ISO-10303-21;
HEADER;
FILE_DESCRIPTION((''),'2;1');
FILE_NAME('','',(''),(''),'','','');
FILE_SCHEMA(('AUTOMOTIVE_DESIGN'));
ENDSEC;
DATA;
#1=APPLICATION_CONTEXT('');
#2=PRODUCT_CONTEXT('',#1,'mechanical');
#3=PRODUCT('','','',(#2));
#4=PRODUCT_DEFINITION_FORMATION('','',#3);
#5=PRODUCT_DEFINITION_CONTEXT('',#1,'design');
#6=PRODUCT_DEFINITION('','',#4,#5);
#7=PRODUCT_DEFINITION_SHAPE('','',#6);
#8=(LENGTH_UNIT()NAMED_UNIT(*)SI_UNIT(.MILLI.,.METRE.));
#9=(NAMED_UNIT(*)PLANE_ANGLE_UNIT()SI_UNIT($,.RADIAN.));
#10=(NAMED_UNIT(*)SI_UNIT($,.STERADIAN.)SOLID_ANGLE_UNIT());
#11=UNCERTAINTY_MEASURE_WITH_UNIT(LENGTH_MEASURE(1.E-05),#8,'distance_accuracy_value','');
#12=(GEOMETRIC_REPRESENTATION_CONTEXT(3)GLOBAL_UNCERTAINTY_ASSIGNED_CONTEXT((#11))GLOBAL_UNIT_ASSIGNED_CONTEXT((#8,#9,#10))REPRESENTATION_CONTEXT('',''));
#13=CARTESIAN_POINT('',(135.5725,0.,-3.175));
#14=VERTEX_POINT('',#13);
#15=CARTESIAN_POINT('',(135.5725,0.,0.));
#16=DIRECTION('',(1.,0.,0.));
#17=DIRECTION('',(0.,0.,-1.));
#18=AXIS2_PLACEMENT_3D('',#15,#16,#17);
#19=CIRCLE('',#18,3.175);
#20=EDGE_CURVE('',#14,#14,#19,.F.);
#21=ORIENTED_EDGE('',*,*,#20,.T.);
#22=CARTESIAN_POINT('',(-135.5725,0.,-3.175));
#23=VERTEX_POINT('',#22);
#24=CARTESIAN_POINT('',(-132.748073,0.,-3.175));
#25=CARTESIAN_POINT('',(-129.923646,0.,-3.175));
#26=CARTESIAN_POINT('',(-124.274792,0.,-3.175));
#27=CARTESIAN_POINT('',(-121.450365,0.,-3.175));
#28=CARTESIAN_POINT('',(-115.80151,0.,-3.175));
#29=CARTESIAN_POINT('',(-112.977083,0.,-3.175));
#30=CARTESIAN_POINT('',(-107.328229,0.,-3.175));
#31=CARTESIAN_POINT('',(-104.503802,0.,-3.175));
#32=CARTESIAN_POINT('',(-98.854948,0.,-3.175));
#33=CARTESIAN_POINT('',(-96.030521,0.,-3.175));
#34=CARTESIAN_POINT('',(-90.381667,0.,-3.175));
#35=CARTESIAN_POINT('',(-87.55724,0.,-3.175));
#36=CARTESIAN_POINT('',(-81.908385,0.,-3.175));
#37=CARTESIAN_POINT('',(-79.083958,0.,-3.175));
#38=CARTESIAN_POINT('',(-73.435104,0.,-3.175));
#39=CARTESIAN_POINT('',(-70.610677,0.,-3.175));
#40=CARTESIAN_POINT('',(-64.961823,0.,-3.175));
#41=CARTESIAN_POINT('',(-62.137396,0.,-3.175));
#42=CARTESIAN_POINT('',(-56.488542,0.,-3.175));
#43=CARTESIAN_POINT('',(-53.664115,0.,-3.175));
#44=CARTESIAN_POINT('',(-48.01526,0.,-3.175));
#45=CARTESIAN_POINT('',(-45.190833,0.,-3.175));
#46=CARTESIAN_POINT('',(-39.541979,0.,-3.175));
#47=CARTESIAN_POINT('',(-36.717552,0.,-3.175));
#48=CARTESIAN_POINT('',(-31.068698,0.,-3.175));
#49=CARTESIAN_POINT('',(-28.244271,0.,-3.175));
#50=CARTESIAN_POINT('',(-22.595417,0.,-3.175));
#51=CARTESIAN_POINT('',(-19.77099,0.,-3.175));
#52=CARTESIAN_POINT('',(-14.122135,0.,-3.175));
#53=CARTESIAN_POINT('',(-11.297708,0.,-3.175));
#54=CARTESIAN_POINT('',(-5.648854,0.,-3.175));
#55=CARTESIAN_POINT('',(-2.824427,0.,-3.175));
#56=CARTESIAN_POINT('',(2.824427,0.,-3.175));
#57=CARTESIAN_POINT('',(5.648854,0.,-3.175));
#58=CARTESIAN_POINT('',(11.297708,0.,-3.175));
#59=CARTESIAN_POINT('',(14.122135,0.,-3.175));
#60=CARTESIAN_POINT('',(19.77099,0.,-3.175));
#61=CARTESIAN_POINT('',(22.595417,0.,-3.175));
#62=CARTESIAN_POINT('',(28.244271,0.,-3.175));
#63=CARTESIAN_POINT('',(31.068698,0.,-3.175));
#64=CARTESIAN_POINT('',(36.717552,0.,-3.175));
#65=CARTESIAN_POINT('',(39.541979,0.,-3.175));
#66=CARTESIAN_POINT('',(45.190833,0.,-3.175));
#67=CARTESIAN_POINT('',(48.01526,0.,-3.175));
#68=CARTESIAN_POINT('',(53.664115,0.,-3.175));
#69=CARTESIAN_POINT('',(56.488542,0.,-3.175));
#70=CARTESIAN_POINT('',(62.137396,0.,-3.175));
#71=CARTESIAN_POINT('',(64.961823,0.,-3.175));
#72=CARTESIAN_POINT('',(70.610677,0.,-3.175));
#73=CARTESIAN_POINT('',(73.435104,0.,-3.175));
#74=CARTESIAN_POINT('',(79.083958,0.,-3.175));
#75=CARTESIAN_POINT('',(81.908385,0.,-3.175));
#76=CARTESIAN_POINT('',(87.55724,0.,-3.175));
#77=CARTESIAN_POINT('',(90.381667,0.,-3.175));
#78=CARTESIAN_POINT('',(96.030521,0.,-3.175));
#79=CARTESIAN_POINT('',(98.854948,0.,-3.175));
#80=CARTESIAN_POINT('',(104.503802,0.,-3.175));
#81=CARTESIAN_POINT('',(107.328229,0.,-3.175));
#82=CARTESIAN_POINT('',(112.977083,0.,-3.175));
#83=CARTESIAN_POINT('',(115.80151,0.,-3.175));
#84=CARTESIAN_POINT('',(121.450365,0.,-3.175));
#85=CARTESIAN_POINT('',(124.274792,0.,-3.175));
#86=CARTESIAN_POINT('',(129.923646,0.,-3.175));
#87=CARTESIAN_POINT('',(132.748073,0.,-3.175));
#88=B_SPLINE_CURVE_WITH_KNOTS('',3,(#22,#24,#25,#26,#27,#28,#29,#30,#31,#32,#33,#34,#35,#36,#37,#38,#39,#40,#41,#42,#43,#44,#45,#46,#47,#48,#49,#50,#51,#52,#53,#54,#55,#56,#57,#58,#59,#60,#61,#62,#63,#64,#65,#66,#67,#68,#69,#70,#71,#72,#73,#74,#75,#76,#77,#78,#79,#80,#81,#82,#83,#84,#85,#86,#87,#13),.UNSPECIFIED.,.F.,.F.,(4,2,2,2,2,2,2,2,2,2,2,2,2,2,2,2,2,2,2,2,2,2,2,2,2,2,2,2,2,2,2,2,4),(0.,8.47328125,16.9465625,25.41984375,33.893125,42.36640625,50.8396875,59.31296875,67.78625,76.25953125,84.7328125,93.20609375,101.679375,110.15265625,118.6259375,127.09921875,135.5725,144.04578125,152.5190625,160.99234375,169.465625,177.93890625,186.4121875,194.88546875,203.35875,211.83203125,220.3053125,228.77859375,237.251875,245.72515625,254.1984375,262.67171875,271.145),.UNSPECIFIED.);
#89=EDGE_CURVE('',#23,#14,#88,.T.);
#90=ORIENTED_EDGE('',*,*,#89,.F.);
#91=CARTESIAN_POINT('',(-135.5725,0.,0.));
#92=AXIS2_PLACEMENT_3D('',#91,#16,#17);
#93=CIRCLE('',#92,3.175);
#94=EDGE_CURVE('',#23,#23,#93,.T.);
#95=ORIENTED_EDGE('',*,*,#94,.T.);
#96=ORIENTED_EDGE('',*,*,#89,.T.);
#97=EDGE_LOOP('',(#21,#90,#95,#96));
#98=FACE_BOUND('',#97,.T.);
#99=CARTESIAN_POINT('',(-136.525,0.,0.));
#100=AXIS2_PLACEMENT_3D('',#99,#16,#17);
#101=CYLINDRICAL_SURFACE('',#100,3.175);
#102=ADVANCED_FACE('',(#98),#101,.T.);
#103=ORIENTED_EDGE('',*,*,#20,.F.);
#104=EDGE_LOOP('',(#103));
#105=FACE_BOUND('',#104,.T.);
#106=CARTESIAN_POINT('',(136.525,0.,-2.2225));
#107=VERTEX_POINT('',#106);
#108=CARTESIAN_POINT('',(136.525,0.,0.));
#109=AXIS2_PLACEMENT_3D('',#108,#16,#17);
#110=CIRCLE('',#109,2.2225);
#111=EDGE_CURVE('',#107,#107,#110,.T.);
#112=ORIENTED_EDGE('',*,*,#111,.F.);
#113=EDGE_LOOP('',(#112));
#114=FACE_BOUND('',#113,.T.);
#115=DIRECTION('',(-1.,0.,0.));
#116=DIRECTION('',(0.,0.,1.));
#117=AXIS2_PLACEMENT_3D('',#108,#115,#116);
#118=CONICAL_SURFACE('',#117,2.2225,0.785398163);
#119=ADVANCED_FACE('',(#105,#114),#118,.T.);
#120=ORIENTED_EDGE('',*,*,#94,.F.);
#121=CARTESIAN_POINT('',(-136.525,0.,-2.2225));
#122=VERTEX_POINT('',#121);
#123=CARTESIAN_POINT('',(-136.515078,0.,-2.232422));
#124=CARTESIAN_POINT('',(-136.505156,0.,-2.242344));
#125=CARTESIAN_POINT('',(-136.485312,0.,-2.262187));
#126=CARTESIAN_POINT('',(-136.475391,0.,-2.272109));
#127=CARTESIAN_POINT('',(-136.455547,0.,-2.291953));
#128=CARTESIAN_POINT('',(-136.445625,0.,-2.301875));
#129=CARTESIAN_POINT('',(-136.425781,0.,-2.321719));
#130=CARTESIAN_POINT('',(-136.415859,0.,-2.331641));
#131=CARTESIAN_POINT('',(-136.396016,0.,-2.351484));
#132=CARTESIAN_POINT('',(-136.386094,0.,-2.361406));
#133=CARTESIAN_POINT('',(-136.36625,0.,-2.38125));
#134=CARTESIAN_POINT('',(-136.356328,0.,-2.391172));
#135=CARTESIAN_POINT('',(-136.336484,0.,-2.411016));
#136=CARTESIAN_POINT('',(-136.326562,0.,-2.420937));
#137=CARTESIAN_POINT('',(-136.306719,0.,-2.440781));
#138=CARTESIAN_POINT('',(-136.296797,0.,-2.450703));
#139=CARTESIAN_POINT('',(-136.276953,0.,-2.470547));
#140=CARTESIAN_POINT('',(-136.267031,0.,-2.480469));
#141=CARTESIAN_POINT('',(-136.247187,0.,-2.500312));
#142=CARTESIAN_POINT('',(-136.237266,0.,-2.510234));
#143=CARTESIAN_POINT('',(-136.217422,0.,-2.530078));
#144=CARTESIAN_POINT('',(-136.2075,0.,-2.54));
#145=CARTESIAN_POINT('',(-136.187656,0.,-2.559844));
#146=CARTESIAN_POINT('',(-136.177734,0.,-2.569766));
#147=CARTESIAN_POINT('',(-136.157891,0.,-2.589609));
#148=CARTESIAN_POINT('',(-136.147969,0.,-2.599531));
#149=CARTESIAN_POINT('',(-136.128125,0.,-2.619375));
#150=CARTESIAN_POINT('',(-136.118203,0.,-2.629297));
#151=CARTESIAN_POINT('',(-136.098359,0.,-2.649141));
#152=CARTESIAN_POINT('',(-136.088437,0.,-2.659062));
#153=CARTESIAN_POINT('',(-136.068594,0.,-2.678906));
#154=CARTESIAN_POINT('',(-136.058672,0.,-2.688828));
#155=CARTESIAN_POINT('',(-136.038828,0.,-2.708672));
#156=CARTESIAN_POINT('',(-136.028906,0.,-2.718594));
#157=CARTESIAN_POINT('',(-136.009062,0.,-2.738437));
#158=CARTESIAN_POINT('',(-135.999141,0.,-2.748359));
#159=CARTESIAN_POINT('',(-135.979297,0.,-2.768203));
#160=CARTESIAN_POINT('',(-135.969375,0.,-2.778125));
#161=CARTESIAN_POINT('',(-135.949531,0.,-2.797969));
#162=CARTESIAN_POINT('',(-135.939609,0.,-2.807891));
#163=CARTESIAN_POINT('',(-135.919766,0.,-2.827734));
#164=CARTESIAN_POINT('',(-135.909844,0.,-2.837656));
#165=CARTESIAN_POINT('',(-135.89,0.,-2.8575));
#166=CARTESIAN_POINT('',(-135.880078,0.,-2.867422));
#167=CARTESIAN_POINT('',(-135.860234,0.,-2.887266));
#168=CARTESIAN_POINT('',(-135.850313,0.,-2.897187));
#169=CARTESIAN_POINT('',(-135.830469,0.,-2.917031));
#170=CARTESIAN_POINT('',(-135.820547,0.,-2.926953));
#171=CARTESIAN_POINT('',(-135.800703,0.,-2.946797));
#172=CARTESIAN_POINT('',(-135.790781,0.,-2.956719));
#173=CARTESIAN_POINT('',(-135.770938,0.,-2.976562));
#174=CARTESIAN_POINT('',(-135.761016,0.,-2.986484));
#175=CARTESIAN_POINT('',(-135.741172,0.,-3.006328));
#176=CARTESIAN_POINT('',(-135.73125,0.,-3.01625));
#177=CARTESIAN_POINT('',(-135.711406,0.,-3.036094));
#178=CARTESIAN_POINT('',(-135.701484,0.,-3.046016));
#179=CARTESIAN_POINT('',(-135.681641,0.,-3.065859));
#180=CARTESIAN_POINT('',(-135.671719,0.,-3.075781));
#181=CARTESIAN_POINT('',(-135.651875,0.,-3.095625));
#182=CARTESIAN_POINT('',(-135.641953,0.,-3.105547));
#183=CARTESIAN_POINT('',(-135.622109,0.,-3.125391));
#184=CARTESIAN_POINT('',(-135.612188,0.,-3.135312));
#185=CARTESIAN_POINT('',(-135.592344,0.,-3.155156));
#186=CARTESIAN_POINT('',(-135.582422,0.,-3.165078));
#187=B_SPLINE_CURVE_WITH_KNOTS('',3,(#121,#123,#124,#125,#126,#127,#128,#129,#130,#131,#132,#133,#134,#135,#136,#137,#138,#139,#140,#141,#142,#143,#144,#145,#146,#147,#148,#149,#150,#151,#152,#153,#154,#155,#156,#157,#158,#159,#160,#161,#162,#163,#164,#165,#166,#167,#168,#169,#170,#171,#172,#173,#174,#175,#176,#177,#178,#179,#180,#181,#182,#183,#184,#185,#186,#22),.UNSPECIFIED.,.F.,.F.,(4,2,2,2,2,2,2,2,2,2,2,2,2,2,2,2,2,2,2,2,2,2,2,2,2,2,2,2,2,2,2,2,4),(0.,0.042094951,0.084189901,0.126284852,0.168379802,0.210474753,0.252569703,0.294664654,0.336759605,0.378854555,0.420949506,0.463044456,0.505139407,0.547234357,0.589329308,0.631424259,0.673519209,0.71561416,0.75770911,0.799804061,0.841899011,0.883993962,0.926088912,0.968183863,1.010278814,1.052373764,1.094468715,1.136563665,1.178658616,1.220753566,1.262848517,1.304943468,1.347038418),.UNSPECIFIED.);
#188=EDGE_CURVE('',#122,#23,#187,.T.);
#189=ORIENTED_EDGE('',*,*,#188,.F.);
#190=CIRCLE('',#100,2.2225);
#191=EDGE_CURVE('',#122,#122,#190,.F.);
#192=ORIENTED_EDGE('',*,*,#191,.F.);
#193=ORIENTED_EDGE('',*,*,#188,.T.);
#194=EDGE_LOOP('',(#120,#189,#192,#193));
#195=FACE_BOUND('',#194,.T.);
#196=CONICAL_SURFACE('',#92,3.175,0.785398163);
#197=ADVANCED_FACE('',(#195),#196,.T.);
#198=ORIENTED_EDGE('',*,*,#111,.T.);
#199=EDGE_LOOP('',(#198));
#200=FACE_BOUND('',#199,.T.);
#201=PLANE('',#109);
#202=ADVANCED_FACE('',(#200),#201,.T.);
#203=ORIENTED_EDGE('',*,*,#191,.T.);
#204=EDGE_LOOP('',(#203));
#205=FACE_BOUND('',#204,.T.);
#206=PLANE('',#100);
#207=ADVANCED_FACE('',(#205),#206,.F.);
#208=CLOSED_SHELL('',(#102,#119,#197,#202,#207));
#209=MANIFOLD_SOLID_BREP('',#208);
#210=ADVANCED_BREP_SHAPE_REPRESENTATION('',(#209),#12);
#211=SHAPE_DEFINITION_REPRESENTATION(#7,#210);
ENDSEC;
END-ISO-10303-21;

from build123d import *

# Parameters (mm, degrees)
BOSS_EXTRUDE1_DEPTH      = 136.525
BOSS_EXTRUDE1_DEPTH_BACK = 136.525
SKETCH2_R                = 3.175
CHAMFER1_SIZE            = 0.9525


with BuildPart() as part:
    # Sketch2 → Boss-Extrude1 (new, two sides: drawn at the far end of the back side and taken through both)
    with BuildSketch(Plane(origin=(0, 0, 0), x_dir=(0, 0, -1), z_dir=(1, 0, 0)).offset(-BOSS_EXTRUDE1_DEPTH_BACK)):
        Circle(SKETCH2_R)
    extrude(amount=BOSS_EXTRUDE1_DEPTH + BOSS_EXTRUDE1_DEPTH_BACK)

    # Chamfer1
    chamfer1_edges = [part.edges().sort_by_distance(p)[0] for p in [
        (-136.525, 0, 3.175),
        (136.525, 0, 3.175),
    ]]
    chamfer(chamfer1_edges, length=CHAMFER1_SIZE)


solid = part.part
